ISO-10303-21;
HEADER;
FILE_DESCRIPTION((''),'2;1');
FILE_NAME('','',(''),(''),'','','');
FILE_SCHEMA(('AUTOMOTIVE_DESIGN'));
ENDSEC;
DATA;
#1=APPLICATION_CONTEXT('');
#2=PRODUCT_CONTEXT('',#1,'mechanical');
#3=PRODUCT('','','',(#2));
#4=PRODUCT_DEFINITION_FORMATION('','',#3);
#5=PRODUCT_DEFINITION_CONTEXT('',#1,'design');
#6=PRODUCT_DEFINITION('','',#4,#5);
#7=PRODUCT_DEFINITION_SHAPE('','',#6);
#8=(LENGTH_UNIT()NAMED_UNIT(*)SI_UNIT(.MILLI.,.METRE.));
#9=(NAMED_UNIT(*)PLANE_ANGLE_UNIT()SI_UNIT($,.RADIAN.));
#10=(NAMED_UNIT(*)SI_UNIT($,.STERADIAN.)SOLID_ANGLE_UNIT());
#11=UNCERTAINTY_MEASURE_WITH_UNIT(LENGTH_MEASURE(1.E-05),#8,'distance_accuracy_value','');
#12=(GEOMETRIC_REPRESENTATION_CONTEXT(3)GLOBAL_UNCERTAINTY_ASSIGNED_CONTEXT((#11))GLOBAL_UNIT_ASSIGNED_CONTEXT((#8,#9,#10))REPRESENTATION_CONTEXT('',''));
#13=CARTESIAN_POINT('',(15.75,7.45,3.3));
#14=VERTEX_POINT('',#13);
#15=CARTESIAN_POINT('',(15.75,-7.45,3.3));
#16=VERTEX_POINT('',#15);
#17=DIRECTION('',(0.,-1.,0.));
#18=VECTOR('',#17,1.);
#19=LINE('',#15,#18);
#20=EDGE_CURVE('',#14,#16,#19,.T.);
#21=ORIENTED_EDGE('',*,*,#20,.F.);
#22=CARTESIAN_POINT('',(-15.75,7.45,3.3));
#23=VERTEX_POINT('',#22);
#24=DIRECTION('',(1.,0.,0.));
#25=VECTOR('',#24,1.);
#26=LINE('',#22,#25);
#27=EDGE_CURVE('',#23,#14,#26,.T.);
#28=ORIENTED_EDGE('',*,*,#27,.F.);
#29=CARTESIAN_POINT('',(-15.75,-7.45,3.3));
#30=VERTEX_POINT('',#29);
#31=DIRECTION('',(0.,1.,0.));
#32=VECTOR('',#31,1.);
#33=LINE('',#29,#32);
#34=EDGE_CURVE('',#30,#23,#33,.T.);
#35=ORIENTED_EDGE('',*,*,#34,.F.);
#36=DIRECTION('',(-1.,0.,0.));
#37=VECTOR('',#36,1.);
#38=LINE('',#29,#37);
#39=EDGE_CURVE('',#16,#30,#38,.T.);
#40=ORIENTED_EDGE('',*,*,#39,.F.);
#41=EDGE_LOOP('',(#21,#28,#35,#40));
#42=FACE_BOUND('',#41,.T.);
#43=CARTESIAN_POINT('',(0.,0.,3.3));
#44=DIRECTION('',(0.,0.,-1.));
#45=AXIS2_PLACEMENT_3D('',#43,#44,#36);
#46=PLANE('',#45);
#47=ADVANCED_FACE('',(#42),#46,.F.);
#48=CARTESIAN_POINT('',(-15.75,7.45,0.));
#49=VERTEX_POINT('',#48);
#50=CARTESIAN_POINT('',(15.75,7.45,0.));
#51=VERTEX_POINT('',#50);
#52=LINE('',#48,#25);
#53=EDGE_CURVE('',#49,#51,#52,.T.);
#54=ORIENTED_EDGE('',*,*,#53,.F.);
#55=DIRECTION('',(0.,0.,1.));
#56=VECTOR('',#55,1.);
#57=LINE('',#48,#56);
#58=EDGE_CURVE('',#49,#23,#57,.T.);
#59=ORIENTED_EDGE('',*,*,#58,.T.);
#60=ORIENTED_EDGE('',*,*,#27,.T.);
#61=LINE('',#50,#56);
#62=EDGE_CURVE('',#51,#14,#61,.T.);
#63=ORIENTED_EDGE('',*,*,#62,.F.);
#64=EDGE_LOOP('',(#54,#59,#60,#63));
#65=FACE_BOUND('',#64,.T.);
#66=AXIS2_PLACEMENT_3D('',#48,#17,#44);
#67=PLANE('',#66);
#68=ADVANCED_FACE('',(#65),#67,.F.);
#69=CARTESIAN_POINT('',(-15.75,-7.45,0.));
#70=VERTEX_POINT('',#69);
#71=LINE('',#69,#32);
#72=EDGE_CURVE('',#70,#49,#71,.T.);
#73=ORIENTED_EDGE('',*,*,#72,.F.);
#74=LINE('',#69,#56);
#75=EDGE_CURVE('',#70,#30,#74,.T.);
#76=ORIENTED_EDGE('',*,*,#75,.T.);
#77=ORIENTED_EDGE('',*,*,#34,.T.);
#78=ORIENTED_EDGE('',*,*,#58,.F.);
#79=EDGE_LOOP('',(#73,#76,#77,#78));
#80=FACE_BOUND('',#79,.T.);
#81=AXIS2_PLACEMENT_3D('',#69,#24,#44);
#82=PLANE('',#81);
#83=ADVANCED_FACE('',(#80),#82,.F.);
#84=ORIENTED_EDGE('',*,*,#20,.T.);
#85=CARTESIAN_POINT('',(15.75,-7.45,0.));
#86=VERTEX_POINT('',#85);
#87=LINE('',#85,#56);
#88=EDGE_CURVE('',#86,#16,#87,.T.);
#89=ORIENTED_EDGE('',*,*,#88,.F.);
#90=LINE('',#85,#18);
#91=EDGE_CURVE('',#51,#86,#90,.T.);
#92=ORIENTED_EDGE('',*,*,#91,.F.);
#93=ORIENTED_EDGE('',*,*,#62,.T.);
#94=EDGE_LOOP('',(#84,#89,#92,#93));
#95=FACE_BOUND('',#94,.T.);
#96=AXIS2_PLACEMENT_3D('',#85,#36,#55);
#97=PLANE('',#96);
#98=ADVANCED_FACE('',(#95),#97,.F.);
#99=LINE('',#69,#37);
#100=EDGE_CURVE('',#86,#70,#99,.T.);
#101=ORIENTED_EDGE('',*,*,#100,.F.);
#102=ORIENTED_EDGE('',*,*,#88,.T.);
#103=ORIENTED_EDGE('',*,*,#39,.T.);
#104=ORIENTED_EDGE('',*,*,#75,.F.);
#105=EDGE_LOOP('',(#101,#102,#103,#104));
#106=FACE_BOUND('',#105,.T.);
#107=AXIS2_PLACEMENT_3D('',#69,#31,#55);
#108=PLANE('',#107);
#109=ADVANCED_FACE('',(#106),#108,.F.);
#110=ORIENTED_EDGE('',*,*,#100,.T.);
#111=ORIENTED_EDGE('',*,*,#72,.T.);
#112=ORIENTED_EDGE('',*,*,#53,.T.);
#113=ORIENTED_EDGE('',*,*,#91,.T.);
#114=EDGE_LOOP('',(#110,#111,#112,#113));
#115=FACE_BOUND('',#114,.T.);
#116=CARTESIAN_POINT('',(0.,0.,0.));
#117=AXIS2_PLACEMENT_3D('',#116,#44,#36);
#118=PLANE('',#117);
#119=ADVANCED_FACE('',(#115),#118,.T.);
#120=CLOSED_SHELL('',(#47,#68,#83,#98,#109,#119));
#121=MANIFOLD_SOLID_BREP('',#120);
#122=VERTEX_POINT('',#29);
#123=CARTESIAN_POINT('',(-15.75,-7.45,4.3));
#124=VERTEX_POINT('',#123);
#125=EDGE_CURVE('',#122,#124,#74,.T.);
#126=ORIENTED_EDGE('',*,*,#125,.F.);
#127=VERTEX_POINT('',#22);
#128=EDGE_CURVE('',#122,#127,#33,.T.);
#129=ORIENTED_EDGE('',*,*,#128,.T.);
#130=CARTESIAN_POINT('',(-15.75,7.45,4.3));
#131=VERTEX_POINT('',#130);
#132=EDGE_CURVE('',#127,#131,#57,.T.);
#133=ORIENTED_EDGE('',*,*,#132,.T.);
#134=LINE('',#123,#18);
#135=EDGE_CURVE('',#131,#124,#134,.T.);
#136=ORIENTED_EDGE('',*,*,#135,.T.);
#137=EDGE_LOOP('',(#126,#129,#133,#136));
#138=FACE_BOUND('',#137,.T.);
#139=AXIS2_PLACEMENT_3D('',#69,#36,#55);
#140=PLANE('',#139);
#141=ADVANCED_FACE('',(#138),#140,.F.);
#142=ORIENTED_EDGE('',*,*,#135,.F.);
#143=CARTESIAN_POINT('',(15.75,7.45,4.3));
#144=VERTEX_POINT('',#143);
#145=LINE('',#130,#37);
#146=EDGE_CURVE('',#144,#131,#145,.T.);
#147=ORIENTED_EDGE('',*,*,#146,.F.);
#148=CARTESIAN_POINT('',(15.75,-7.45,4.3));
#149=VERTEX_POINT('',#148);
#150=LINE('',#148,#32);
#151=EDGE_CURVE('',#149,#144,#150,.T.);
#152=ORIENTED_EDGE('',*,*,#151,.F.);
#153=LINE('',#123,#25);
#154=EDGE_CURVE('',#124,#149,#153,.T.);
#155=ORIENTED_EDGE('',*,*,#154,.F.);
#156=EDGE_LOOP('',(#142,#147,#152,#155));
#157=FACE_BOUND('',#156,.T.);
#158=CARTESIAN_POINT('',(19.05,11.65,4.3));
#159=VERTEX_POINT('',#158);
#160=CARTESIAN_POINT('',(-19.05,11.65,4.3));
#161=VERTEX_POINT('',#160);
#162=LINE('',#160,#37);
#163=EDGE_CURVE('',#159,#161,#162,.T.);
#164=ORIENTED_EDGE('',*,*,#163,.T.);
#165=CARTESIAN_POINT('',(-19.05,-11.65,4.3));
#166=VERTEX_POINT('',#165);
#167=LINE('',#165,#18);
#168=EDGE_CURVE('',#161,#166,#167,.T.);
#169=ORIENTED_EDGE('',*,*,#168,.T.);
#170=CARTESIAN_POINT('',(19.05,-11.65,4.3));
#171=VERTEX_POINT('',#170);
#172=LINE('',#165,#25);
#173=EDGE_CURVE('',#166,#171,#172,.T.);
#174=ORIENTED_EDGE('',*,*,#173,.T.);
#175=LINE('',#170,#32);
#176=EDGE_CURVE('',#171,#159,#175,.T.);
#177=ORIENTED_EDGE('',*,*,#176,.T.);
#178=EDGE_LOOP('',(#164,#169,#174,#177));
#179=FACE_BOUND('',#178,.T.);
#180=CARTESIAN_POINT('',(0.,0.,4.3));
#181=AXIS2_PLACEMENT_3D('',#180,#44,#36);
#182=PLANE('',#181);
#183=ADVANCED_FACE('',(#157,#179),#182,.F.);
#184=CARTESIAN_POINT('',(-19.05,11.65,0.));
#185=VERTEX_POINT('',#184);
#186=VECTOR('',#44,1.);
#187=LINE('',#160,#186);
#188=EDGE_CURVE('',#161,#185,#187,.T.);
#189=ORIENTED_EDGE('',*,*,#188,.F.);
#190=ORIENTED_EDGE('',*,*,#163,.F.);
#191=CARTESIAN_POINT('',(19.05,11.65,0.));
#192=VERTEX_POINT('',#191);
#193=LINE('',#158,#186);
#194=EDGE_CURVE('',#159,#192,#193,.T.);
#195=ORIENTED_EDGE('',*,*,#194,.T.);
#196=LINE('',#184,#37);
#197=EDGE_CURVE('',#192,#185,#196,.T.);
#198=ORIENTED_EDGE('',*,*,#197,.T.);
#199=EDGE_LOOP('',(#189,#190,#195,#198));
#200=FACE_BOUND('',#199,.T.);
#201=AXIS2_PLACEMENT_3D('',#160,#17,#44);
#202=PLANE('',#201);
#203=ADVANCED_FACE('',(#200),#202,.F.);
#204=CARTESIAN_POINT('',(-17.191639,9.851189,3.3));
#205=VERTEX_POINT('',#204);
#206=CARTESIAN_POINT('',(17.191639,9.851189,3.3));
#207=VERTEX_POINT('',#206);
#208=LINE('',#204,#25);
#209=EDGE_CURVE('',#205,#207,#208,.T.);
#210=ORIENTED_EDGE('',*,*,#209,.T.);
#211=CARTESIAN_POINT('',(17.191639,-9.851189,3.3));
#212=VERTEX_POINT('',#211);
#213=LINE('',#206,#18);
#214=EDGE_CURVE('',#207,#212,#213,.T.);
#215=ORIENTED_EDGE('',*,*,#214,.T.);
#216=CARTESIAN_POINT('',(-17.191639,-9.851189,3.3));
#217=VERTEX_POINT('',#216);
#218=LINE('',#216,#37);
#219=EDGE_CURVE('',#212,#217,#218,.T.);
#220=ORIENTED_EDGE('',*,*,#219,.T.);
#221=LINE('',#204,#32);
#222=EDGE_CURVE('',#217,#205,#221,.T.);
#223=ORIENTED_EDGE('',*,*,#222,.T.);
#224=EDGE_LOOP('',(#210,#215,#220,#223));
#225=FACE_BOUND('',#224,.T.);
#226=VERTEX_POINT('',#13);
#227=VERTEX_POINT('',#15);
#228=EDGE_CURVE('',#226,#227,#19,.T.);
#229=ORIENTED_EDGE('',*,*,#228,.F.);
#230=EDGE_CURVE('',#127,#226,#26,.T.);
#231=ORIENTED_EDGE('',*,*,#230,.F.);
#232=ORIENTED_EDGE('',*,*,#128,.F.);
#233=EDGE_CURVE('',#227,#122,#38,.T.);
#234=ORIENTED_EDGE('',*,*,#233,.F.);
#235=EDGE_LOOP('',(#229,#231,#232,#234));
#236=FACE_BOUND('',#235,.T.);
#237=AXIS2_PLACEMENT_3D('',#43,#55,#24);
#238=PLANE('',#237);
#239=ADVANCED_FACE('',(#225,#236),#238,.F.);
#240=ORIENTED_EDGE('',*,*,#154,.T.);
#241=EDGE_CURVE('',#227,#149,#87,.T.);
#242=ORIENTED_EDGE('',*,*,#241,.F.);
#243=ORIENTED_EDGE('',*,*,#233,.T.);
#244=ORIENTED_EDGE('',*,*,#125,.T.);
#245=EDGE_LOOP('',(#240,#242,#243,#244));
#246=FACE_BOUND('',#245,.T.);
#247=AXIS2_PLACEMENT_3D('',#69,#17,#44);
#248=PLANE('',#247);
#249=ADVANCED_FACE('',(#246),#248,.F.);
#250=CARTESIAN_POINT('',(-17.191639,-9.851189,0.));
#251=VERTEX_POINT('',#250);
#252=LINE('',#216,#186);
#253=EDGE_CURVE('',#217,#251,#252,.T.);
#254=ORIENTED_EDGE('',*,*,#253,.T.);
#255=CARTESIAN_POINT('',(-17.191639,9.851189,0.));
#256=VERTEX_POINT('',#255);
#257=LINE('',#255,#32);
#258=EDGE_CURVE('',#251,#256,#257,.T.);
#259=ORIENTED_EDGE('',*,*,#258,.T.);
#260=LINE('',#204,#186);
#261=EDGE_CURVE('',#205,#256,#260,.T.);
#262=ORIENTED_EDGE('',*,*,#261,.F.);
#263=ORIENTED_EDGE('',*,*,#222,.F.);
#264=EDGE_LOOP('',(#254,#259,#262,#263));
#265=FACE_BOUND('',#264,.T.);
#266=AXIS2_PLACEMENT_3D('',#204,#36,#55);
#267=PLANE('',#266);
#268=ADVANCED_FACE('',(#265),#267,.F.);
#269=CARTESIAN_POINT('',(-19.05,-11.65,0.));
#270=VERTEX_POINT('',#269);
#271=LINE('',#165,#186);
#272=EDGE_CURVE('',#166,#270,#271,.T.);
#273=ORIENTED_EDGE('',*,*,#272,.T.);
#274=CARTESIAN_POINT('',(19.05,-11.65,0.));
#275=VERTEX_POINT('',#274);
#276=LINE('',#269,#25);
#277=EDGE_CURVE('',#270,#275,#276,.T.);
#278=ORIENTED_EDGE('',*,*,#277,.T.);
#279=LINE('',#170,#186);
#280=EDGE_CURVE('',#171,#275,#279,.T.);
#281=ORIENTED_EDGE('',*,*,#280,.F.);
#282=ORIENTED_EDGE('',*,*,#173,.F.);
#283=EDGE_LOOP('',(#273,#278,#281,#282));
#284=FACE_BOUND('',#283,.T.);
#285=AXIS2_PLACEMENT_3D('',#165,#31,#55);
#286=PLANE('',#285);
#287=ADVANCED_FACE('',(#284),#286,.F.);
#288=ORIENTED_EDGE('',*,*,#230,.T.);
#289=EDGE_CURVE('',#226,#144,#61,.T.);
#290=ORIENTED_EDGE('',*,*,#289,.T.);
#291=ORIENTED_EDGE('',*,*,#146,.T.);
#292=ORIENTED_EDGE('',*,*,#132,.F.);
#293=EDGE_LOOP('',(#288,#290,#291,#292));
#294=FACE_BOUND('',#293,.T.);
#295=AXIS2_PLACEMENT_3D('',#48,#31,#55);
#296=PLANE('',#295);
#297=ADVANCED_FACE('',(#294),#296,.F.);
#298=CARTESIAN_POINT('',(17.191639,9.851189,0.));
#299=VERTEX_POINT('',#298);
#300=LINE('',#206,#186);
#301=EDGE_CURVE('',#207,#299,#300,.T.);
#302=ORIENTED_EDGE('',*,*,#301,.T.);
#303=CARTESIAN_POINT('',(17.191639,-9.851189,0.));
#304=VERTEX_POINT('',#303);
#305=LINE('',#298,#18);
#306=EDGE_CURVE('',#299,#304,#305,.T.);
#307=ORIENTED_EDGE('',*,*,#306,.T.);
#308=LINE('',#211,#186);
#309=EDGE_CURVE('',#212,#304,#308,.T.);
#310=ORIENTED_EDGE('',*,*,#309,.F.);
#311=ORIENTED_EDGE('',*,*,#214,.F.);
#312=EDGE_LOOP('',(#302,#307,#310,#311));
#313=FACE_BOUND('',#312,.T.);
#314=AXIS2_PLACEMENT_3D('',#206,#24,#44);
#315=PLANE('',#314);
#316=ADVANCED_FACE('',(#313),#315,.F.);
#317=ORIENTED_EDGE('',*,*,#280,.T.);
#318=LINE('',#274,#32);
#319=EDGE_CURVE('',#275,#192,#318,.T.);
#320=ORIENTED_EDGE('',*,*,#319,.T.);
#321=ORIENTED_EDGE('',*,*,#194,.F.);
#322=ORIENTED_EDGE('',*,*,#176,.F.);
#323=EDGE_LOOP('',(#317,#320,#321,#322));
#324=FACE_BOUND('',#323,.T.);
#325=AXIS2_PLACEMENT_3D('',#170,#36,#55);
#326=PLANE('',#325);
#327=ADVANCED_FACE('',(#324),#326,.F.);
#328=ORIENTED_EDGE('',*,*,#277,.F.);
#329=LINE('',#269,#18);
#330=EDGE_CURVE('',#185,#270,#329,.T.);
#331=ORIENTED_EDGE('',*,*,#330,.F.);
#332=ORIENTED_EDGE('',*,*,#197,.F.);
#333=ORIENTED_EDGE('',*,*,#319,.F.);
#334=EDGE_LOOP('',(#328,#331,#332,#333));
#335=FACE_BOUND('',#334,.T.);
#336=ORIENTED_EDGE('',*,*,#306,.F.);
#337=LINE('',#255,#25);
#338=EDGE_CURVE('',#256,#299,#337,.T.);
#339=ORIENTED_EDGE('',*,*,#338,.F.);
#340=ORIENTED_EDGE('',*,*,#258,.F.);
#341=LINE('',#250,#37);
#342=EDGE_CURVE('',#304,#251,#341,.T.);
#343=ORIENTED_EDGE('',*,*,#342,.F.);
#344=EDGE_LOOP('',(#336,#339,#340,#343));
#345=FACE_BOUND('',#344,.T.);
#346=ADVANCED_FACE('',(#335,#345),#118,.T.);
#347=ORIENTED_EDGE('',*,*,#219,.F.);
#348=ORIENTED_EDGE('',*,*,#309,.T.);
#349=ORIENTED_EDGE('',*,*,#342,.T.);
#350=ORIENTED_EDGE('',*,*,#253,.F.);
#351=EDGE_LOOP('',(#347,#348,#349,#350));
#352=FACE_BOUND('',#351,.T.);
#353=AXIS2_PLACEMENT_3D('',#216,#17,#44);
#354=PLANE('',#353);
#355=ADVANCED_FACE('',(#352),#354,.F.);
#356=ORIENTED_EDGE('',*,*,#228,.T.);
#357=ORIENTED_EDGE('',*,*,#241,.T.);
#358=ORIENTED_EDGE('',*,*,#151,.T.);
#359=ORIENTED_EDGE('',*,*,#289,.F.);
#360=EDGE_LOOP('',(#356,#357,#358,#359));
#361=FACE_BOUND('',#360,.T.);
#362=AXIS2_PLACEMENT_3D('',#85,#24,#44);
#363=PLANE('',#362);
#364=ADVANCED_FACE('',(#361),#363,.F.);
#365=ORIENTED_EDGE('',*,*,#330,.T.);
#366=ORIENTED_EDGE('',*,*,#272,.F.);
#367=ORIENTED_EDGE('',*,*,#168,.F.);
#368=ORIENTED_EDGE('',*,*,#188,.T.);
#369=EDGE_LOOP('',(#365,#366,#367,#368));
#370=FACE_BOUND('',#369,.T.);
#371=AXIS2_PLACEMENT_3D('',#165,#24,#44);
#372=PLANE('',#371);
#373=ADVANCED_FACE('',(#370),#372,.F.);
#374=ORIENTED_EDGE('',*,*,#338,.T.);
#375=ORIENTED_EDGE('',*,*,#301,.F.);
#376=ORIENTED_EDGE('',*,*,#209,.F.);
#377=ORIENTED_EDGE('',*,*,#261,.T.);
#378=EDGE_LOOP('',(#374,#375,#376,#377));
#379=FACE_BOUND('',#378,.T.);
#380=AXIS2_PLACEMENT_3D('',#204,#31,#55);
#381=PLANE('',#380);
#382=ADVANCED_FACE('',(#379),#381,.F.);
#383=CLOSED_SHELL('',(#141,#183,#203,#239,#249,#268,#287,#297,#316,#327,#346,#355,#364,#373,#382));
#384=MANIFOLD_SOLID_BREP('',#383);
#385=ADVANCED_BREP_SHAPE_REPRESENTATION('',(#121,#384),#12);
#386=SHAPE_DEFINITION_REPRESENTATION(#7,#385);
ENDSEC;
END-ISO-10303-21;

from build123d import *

# Parameters (mm, degrees)
SKICA1_W                 = 38.1
SKICA1_H                 = 23.3
P_IDAT_VYSUNUT_M1_DEPTH  = 4.3
SKICA2_W                 = 31.5
SKICA2_H                 = 14.9
ODEBRAT_VYSUNUT_M1_DEPTH = 4.3
SKICA3_W                 = 34.383278722
SKICA3_H                 = 19.702377316
ODEBRAT_VYSUNUT_M2_DEPTH = 3.3
SKICA6_W                 = 31.5
SKICA6_H                 = 14.9
P_IDAT_VYSUNUT_M3_DEPTH  = 3.3


with BuildPart() as part:
    # Skica1 → Přidat vysunutím1 (new body)
    with BuildSketch(Plane.XY):
        Rectangle(SKICA1_W, SKICA1_H)
    extrude(amount=P_IDAT_VYSUNUT_M1_DEPTH)

    # Skica2 → Odebrat vysunutím1 (cut)
    with BuildSketch(Plane.XY.offset(4.3)):
        Rectangle(SKICA2_W, SKICA2_H)
    extrude(amount=-ODEBRAT_VYSUNUT_M1_DEPTH, mode=Mode.SUBTRACT)

    # Skica3 → Odebrat vysunutím2 (cut)
    with BuildSketch(Plane(origin=(0, 0, 0), x_dir=(-1, 0, 0), z_dir=(0, 0, -1))):
        Rectangle(SKICA3_W, SKICA3_H)
    extrude(amount=-ODEBRAT_VYSUNUT_M2_DEPTH, mode=Mode.SUBTRACT)


with BuildPart() as body_2:
    # Skica6 → Přidat vysunutím3 (new body)
    with BuildSketch(Plane(origin=(0, 0, 3.3), x_dir=(-1, 0, 0), z_dir=(0, 0, -1))):
        Rectangle(SKICA6_W, SKICA6_H)
    extrude(amount=P_IDAT_VYSUNUT_M3_DEPTH)


solid = Compound([part.part, body_2.part])
